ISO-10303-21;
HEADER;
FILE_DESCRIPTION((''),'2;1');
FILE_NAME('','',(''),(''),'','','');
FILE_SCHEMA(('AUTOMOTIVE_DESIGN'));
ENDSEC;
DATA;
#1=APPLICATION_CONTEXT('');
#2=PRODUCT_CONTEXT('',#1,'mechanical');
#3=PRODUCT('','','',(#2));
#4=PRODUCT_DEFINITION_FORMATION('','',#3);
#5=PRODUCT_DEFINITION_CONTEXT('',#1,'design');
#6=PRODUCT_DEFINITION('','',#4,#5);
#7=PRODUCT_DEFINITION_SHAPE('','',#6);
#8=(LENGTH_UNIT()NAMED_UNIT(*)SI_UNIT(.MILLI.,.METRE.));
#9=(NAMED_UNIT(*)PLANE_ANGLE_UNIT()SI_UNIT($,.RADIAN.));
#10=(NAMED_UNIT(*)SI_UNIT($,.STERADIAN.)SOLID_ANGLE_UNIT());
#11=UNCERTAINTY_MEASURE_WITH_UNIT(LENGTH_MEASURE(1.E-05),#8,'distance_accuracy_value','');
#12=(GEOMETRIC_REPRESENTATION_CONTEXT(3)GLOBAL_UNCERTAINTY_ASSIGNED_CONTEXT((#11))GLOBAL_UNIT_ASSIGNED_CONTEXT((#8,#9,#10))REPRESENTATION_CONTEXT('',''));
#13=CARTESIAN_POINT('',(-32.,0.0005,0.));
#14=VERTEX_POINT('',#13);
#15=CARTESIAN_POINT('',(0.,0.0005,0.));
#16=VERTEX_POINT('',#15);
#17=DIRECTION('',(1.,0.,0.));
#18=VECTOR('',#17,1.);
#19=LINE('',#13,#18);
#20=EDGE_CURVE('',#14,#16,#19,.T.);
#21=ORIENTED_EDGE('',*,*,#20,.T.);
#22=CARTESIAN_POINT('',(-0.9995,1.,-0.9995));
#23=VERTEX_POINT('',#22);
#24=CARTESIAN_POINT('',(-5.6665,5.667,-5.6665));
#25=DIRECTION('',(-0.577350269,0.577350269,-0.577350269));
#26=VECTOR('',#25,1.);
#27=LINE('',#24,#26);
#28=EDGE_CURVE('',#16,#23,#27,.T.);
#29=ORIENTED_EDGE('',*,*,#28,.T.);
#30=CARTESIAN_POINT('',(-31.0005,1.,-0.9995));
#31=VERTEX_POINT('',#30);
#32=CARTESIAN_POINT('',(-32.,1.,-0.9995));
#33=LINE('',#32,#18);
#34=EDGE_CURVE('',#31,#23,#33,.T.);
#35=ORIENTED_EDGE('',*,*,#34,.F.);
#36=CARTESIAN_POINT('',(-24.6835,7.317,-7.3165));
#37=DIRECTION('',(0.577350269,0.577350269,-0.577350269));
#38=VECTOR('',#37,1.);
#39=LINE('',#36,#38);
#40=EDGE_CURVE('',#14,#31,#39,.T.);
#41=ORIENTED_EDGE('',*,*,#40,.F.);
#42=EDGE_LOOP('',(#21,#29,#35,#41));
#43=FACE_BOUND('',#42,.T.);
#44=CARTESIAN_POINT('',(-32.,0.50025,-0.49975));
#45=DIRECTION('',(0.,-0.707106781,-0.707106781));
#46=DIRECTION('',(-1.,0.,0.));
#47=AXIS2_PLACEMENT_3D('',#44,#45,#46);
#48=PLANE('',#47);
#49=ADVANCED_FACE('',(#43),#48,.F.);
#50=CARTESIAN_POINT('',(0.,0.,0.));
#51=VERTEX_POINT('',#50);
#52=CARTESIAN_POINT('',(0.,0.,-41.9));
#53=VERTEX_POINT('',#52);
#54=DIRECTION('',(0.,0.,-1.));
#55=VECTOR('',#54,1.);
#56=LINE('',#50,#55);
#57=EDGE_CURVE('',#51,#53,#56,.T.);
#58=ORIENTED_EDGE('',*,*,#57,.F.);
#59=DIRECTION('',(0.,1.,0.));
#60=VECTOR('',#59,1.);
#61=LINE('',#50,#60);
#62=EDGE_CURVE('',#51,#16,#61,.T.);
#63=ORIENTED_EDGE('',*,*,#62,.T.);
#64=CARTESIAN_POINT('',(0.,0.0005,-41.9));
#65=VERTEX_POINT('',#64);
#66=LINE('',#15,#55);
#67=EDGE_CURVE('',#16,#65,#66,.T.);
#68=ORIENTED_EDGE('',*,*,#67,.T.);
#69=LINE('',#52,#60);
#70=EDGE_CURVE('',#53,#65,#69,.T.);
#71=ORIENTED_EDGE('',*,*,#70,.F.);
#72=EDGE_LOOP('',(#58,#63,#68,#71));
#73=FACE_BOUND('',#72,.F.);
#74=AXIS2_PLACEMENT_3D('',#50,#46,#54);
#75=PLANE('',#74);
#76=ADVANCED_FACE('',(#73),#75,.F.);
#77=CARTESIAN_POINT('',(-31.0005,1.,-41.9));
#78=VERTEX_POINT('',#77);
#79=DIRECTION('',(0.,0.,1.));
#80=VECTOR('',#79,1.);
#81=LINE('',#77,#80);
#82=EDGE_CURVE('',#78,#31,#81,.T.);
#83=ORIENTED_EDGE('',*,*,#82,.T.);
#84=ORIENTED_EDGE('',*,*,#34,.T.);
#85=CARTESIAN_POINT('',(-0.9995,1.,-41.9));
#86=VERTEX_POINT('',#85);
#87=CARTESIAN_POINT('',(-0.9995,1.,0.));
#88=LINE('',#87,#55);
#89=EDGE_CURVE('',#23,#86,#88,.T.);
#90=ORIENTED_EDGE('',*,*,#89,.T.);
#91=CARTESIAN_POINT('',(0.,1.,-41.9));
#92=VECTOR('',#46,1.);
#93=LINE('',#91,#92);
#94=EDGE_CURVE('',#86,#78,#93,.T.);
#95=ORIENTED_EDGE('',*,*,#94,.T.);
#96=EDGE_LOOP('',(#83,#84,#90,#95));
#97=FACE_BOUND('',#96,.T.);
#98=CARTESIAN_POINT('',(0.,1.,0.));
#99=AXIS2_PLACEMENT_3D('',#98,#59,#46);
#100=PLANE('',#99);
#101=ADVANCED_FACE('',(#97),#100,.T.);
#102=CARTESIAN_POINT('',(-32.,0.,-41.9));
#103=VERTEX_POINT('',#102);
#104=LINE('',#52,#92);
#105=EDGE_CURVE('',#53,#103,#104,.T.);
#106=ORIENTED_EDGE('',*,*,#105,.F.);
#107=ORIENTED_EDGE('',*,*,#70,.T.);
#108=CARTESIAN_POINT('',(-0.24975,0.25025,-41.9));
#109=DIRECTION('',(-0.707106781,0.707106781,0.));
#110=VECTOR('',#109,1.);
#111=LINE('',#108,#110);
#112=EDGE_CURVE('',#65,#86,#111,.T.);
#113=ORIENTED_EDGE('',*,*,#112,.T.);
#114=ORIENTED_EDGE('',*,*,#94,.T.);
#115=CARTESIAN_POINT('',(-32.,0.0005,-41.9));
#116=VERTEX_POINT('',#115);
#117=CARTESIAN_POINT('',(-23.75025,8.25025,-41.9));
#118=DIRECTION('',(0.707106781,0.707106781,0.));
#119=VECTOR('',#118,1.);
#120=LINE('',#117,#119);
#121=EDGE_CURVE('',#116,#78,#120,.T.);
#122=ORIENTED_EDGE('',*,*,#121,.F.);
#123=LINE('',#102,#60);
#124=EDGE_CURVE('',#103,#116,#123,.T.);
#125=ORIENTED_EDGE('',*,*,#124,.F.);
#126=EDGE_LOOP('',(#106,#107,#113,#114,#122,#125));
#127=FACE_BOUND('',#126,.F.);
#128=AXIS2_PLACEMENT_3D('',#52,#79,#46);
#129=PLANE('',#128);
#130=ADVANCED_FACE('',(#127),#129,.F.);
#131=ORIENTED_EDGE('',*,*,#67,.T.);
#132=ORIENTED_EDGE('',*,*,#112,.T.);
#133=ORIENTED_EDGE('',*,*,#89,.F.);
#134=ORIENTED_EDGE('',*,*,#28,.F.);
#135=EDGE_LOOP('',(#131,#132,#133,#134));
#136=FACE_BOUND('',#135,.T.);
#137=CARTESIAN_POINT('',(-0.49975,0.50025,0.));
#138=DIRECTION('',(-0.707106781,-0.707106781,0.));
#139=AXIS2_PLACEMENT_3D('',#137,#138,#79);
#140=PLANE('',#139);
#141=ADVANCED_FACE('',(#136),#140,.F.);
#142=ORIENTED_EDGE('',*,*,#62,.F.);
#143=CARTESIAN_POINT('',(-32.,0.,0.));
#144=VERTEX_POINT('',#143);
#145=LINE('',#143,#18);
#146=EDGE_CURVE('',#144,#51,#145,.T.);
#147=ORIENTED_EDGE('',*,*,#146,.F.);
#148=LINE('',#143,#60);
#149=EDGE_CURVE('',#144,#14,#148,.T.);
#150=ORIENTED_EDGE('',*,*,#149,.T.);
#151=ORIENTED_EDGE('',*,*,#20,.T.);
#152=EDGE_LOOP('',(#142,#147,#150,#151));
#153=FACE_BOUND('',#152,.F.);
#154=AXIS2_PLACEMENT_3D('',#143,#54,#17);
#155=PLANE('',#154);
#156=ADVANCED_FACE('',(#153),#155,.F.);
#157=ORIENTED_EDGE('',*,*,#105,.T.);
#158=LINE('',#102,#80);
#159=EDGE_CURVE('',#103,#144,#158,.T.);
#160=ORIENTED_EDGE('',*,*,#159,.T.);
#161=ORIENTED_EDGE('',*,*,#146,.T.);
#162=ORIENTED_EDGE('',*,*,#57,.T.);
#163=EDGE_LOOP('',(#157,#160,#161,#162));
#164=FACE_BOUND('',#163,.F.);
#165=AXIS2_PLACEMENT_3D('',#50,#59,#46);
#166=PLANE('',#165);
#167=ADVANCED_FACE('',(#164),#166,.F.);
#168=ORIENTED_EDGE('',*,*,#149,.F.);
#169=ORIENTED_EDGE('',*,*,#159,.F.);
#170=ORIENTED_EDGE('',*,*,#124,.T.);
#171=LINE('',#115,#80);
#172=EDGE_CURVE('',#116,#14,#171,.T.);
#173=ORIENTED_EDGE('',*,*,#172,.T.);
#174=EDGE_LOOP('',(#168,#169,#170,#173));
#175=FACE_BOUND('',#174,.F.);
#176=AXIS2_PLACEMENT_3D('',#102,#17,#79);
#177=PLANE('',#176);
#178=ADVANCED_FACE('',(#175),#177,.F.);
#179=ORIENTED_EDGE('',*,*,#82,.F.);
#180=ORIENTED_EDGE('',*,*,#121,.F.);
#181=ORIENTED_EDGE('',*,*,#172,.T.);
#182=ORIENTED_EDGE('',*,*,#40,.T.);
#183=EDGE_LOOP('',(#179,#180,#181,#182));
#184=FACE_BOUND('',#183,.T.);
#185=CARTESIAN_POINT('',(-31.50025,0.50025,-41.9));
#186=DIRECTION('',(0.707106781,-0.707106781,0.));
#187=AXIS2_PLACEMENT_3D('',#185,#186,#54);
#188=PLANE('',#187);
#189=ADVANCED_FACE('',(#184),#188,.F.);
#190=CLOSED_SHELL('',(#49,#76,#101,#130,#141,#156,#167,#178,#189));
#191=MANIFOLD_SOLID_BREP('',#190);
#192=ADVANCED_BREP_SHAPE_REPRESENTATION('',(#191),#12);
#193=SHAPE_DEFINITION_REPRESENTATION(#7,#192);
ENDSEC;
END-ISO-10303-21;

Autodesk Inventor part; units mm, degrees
ref_plane "YZ Plane" through (0, 0, 0) normal (1, 0, 0) x (0, 1, 0)
ref_plane "XZ Plane" through (0, 0, 0) normal (0, 1, 0) x (-1, 0, 0)
ref_plane "XY Plane" through (0, 0, 0) normal (0, 0, 1) x (1, 0, 0)
sketch "Sketch1" plane through (0, 0, 0) normal (0, 1, 0) x (-1, 0, 0)
  line L0 (0, 0) -> (0, -41.9)
  line L1 (0, -41.9) -> (32, -41.9)
  line L2 (32, -41.9) -> (32, 0)
  line L3 (32, 0) -> (0, 0)
  dimension "d0" = 41.9
  dimension "d1" = 32
extrude "Extrusion1" add sketch "Sketch1" along normal blind 1
chamfer "Chamfer1" distance 1 angle 45 3 edges at (-16, 1, 0) (0, 1, -20.95) (-32, 1, -20.95)
properties part number "predni blatnik"
